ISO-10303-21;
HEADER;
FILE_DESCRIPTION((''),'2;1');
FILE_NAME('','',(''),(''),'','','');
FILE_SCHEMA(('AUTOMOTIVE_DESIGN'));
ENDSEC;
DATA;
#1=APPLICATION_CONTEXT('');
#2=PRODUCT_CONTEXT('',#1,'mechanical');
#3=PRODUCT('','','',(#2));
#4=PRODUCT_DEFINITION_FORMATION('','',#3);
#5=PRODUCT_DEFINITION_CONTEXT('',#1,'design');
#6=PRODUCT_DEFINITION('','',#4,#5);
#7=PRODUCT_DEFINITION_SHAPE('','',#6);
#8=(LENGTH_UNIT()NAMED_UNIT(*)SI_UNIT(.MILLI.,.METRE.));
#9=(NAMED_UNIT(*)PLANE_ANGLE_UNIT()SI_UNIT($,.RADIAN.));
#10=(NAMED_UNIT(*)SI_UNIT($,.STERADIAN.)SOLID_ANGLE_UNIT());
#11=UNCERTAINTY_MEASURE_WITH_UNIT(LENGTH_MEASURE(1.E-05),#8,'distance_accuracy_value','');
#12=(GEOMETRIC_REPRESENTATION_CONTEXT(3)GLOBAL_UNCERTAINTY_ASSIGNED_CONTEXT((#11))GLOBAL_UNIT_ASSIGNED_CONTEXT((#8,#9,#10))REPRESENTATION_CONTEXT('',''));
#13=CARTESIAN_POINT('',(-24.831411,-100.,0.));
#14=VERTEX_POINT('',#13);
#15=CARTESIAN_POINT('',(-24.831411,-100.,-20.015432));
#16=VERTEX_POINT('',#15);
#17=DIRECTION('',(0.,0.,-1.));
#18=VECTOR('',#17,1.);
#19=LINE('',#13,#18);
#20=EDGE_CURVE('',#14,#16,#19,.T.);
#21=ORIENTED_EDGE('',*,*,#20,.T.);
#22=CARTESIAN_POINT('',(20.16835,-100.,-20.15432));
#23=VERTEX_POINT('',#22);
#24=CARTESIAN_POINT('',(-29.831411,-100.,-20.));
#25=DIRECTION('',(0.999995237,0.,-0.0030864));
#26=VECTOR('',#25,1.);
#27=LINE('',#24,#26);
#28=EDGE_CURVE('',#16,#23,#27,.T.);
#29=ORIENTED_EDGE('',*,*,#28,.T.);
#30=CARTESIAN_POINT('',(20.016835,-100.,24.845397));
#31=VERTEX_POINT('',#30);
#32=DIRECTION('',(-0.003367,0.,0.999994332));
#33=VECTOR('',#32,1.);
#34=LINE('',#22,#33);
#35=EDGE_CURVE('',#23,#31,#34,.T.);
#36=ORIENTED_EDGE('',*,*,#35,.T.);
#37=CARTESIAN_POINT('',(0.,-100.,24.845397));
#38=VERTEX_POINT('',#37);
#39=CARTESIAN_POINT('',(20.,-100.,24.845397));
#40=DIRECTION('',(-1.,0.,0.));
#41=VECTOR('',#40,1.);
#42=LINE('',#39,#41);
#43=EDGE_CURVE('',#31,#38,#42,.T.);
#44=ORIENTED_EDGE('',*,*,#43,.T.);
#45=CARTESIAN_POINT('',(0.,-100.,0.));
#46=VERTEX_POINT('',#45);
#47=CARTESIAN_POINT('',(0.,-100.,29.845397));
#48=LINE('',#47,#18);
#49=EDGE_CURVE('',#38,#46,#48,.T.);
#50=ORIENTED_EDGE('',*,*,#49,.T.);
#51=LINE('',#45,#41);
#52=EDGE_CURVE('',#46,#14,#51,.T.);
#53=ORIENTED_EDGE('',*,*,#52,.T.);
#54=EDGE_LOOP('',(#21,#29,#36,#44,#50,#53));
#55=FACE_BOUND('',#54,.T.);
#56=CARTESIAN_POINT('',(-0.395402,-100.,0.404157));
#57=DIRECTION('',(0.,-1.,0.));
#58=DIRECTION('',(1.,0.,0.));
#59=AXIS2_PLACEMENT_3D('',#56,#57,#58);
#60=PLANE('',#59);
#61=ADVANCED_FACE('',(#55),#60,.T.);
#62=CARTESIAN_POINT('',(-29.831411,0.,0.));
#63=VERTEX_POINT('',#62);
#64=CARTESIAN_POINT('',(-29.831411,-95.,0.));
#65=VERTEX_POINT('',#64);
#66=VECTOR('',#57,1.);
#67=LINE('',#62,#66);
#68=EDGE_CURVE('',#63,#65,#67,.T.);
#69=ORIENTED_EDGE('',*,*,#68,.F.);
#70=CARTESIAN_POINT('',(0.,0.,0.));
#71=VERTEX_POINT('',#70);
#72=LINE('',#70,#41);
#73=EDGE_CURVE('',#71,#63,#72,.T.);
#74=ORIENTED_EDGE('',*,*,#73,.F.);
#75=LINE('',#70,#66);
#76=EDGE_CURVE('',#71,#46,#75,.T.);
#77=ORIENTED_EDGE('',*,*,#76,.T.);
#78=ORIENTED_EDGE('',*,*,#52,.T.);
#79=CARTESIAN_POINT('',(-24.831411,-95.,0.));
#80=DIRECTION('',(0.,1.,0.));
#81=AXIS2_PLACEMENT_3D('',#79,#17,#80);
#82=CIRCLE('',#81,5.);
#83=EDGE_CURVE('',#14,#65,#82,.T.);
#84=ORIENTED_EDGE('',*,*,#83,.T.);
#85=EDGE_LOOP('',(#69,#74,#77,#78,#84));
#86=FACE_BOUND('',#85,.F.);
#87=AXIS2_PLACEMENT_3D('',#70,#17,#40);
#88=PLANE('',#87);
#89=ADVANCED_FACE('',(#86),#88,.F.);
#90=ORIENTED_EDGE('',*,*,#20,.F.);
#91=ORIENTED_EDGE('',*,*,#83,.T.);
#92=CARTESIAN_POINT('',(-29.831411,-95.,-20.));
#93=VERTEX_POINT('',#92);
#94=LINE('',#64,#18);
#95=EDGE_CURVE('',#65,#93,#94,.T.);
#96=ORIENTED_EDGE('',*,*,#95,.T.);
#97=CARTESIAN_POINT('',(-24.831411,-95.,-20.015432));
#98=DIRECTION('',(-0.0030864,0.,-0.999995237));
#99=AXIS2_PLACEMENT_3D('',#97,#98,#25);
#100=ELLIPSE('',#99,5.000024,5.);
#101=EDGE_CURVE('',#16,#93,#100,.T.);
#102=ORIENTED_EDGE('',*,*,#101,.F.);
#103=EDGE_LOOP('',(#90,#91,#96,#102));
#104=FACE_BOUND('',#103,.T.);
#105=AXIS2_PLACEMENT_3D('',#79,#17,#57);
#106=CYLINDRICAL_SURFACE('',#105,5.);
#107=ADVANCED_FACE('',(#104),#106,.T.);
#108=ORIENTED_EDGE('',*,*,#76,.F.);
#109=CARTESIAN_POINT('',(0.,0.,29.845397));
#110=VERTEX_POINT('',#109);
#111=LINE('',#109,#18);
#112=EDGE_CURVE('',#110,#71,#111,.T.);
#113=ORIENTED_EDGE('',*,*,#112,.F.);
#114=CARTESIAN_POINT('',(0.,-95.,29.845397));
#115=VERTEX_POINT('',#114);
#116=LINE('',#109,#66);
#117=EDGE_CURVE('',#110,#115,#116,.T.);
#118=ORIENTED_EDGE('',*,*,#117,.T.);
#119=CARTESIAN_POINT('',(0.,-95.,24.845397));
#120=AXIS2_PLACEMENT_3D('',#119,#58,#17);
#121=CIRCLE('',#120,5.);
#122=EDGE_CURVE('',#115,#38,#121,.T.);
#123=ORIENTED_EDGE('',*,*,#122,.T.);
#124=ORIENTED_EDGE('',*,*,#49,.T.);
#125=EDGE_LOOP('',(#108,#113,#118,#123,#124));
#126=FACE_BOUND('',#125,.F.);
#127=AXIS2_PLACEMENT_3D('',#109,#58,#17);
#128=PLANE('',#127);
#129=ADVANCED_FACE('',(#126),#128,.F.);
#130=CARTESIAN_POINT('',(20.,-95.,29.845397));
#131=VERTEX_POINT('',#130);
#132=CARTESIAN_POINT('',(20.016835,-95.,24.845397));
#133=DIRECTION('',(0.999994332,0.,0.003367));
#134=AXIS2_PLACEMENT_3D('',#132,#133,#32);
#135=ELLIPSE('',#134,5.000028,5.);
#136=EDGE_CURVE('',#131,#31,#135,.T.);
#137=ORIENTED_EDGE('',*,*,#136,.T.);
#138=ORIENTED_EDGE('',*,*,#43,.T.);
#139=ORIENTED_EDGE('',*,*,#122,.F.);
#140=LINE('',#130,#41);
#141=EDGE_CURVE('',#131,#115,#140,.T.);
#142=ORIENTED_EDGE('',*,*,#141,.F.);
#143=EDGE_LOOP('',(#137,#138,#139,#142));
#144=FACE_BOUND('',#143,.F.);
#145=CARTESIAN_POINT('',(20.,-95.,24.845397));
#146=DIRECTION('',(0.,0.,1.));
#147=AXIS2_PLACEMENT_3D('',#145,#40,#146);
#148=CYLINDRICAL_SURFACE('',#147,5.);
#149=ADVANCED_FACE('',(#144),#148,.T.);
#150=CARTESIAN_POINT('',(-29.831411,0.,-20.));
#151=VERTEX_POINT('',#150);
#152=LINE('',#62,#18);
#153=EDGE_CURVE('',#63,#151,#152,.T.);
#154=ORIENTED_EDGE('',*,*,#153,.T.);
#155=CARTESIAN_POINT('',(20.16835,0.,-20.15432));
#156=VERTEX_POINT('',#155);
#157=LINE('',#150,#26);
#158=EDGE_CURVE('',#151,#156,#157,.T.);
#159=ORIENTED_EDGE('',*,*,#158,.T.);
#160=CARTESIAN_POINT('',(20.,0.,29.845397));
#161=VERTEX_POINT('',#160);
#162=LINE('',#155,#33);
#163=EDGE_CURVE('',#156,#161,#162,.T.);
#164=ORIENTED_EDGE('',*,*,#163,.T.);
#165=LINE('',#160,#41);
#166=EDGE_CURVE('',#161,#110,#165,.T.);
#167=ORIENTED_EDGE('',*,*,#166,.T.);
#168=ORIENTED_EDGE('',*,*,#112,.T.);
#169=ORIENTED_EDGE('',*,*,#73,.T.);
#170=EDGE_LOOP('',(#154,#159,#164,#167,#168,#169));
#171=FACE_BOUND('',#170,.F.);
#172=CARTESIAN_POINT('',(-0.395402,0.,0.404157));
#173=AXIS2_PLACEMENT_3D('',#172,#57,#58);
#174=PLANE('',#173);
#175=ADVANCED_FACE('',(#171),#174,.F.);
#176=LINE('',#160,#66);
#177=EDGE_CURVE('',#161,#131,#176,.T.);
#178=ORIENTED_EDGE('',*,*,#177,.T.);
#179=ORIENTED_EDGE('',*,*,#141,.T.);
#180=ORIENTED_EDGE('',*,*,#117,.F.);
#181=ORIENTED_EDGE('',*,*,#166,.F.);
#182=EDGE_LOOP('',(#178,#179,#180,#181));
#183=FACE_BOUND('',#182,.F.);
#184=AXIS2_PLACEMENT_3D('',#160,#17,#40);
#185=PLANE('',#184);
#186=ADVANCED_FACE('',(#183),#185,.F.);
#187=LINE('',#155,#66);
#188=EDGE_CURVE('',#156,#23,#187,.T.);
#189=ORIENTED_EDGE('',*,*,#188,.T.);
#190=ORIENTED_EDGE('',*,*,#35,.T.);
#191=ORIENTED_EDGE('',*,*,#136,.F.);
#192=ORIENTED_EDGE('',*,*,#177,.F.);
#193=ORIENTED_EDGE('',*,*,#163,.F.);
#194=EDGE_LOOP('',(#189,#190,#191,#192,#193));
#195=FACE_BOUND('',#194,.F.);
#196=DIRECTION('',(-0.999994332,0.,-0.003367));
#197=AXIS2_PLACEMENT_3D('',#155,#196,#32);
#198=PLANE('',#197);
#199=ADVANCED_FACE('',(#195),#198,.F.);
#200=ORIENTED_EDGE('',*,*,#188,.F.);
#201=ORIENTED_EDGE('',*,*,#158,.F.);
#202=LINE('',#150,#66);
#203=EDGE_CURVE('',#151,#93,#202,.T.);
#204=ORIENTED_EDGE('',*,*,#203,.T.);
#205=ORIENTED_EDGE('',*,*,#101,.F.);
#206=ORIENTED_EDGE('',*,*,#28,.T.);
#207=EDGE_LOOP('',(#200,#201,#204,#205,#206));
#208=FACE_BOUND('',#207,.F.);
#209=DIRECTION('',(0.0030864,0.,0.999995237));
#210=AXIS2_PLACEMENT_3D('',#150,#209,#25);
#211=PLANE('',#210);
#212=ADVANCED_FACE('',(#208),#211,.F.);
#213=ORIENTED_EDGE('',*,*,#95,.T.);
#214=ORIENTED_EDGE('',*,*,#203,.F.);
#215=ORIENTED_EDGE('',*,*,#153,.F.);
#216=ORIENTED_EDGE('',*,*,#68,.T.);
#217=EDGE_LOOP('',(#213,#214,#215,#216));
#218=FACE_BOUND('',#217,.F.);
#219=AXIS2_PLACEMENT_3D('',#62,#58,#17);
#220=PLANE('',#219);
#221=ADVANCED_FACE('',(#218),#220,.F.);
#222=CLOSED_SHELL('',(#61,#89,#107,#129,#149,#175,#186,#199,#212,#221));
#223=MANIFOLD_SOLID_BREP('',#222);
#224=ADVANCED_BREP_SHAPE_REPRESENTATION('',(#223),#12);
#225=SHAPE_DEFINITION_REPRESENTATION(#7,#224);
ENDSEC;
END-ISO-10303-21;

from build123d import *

# Parameters (mm, degrees)
F1_DEPTH = 100
F2_R     = 5
F3_R     = 5


with BuildPart() as f1:
    # F0 (on Front) → F1 (new body)
    with BuildSketch(Plane.XZ):
        Polygon((0, 29.845397), (0, 0), (-29.831411, 0), (-29.831411, -20), (20.16835, -20.15432), (20, 29.845397), align=None)
    extrude(amount=F1_DEPTH)

    # F2
    f2_edges = [f1.edges().sort_by_distance(p)[0] for p in [
        (10, -100, 29.845397),
    ]]
    fillet(f2_edges, radius=F2_R)

    # F3
    f3_edges = [f1.edges().sort_by_distance(p)[0] for p in [
        (-29.831411, -100, -10),
    ]]
    fillet(f3_edges, radius=F3_R)


solid = f1.part
